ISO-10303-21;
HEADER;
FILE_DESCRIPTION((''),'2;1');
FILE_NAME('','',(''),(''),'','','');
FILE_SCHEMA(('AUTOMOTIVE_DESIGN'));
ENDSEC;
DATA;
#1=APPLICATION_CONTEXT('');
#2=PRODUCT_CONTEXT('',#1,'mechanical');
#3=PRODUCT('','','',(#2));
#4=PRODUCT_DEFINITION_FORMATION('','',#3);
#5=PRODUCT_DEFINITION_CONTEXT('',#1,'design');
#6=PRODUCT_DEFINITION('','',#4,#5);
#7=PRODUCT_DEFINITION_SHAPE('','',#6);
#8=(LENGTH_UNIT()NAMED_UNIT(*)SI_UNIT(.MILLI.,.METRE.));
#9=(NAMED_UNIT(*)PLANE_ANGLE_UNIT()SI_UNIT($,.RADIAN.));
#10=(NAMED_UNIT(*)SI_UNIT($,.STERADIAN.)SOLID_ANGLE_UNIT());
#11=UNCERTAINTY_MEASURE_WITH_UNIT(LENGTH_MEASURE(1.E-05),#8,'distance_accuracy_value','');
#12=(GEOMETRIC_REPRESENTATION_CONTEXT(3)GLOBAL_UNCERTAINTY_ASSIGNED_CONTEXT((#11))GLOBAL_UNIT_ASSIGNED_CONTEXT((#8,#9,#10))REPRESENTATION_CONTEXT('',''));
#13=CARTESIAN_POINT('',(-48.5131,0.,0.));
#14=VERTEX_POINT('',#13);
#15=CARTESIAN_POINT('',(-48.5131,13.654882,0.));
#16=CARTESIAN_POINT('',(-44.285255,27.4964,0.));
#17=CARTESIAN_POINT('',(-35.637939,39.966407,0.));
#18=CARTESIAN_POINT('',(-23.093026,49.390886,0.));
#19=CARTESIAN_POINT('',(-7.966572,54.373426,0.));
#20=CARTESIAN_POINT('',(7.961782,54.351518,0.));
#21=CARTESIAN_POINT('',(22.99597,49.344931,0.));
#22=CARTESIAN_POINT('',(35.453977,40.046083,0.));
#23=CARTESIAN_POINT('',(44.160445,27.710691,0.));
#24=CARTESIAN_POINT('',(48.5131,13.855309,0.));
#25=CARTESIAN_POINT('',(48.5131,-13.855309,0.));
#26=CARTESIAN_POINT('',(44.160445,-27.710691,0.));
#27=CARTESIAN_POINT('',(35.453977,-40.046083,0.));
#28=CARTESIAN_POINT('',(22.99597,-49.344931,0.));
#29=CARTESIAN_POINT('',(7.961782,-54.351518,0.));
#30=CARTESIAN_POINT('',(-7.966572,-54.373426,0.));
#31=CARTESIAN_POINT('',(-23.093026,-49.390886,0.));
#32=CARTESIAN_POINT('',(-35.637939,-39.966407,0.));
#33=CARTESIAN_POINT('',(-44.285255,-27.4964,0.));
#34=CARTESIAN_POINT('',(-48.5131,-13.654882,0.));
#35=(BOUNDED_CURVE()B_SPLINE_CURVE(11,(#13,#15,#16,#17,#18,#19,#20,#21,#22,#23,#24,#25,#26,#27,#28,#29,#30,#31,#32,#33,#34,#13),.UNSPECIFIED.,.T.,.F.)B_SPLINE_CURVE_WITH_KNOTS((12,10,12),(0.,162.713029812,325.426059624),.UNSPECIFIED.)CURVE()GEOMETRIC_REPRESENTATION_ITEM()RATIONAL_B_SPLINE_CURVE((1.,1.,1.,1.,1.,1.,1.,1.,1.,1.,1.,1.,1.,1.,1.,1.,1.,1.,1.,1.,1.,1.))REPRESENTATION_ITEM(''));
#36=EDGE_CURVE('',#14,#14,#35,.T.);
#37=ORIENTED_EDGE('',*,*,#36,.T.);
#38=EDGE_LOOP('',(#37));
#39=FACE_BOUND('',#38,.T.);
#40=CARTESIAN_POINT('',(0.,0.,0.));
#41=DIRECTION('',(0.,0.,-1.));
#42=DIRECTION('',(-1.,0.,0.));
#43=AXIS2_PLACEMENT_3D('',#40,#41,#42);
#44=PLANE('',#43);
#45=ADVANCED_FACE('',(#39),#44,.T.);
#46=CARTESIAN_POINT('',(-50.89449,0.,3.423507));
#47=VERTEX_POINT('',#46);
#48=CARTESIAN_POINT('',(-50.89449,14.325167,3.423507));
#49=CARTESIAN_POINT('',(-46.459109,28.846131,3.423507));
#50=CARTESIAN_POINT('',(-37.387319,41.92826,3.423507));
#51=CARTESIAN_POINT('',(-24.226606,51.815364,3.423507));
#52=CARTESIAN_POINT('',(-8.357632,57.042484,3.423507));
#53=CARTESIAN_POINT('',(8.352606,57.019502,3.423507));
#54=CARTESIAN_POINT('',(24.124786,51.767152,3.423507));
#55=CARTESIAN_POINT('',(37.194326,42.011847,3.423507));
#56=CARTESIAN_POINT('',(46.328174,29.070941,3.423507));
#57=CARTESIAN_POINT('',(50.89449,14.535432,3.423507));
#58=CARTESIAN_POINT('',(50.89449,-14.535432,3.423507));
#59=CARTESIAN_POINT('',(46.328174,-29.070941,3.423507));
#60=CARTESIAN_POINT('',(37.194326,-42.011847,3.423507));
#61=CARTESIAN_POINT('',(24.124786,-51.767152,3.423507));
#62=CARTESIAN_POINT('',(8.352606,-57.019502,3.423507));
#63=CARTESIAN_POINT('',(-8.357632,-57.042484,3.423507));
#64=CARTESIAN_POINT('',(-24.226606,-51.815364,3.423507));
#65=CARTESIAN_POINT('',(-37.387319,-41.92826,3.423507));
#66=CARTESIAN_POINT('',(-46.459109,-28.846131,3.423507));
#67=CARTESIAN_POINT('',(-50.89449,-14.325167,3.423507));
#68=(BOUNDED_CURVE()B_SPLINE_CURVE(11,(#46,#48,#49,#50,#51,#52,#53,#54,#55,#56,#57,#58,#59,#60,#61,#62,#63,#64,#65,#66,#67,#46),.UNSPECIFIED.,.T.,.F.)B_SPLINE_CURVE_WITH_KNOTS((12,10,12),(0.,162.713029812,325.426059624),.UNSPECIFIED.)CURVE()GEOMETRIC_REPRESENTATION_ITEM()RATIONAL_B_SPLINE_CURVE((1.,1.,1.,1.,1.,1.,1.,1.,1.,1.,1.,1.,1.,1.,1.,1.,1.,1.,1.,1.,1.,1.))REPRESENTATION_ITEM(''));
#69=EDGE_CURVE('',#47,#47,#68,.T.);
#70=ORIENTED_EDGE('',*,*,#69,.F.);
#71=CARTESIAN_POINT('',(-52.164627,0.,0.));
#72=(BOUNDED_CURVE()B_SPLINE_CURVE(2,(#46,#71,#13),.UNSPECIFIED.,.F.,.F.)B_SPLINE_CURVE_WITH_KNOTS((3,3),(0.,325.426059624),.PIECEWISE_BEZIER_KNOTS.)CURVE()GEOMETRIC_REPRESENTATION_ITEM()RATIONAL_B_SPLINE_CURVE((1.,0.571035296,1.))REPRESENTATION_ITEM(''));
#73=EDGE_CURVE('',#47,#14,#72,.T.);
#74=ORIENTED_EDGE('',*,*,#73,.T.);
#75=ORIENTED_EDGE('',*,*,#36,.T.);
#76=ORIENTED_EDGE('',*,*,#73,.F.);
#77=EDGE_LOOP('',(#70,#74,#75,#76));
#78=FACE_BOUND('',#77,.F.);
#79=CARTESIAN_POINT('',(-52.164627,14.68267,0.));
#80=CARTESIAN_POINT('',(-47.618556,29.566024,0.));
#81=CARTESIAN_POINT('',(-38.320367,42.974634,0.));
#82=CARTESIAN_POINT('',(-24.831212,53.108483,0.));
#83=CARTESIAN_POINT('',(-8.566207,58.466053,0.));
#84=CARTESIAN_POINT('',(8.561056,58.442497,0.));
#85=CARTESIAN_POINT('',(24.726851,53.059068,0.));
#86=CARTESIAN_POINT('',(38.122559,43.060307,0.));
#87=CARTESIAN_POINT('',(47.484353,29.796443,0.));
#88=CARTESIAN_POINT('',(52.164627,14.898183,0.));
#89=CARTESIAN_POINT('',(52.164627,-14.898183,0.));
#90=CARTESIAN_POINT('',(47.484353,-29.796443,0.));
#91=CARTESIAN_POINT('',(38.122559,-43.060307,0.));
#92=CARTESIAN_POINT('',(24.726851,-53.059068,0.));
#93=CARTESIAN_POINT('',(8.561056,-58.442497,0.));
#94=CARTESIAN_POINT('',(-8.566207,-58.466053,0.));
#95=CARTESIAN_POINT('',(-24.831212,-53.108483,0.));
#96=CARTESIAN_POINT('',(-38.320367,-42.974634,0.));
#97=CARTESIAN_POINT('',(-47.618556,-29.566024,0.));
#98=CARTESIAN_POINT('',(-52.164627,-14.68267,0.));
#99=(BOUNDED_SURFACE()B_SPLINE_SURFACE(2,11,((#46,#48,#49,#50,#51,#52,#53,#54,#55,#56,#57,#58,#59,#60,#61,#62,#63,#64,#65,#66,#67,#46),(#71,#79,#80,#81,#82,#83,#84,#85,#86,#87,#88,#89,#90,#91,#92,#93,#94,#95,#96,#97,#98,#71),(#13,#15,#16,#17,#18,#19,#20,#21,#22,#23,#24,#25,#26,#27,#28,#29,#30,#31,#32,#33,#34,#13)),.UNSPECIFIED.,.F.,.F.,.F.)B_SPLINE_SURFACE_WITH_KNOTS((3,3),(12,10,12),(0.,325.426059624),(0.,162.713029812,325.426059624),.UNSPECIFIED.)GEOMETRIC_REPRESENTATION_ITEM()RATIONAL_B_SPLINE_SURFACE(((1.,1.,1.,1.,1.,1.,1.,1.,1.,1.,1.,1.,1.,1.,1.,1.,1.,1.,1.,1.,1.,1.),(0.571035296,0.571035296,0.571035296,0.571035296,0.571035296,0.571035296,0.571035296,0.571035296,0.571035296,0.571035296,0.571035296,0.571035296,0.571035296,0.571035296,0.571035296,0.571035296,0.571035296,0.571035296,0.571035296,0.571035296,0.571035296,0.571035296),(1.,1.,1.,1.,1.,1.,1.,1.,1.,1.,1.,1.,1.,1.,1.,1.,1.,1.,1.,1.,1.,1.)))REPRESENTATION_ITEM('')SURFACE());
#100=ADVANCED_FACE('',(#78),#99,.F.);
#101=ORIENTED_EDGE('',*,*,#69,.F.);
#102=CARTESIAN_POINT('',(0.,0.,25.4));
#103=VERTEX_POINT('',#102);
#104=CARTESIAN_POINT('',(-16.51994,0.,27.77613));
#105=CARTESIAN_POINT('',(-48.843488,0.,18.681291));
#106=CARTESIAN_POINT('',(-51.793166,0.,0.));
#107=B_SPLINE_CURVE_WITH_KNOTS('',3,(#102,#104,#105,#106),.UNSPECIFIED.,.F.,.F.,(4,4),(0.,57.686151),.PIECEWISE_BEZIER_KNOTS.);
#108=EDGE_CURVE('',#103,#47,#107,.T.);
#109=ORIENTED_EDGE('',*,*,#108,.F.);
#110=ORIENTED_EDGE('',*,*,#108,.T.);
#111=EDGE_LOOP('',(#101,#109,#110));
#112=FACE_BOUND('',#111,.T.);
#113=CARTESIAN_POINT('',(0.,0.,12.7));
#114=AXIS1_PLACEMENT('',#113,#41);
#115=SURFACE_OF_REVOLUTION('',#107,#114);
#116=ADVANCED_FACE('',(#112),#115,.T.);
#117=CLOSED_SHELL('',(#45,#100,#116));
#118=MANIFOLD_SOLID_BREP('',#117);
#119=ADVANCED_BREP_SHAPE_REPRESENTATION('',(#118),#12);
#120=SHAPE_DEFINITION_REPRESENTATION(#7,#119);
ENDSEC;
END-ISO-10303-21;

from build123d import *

# Parameters (mm, degrees)
F2_R = 2.54


with BuildPart() as f1:
    # F0 (on Front) → F1 (revolve)
    with BuildSketch(Plane.XZ):
        with BuildLine():
            Line((0, 0), (0, 25.4))
            add(Edge.make_bspline(
                [(0, 25.4), (-16.51994, 27.77613), (-48.843488, 18.681291), (-51.793166, 0)],
                knots=[0, 0, 0, 0, 57.686151, 57.686151, 57.686151, 57.686151], degree=3))
            Line((-51.793166, 0), (0, 0))
        make_face()
    revolve(axis=Axis((0, 0, 12.7), (0, 0, -1)))

    # F2
    f2_edges = [f1.edges().sort_by_distance(p)[0] for p in [
        (51.793166, 0, 0),
        (-30.471904, 0, 20.804498),
    ]]
    fillet(f2_edges, radius=F2_R)


solid = f1.part
